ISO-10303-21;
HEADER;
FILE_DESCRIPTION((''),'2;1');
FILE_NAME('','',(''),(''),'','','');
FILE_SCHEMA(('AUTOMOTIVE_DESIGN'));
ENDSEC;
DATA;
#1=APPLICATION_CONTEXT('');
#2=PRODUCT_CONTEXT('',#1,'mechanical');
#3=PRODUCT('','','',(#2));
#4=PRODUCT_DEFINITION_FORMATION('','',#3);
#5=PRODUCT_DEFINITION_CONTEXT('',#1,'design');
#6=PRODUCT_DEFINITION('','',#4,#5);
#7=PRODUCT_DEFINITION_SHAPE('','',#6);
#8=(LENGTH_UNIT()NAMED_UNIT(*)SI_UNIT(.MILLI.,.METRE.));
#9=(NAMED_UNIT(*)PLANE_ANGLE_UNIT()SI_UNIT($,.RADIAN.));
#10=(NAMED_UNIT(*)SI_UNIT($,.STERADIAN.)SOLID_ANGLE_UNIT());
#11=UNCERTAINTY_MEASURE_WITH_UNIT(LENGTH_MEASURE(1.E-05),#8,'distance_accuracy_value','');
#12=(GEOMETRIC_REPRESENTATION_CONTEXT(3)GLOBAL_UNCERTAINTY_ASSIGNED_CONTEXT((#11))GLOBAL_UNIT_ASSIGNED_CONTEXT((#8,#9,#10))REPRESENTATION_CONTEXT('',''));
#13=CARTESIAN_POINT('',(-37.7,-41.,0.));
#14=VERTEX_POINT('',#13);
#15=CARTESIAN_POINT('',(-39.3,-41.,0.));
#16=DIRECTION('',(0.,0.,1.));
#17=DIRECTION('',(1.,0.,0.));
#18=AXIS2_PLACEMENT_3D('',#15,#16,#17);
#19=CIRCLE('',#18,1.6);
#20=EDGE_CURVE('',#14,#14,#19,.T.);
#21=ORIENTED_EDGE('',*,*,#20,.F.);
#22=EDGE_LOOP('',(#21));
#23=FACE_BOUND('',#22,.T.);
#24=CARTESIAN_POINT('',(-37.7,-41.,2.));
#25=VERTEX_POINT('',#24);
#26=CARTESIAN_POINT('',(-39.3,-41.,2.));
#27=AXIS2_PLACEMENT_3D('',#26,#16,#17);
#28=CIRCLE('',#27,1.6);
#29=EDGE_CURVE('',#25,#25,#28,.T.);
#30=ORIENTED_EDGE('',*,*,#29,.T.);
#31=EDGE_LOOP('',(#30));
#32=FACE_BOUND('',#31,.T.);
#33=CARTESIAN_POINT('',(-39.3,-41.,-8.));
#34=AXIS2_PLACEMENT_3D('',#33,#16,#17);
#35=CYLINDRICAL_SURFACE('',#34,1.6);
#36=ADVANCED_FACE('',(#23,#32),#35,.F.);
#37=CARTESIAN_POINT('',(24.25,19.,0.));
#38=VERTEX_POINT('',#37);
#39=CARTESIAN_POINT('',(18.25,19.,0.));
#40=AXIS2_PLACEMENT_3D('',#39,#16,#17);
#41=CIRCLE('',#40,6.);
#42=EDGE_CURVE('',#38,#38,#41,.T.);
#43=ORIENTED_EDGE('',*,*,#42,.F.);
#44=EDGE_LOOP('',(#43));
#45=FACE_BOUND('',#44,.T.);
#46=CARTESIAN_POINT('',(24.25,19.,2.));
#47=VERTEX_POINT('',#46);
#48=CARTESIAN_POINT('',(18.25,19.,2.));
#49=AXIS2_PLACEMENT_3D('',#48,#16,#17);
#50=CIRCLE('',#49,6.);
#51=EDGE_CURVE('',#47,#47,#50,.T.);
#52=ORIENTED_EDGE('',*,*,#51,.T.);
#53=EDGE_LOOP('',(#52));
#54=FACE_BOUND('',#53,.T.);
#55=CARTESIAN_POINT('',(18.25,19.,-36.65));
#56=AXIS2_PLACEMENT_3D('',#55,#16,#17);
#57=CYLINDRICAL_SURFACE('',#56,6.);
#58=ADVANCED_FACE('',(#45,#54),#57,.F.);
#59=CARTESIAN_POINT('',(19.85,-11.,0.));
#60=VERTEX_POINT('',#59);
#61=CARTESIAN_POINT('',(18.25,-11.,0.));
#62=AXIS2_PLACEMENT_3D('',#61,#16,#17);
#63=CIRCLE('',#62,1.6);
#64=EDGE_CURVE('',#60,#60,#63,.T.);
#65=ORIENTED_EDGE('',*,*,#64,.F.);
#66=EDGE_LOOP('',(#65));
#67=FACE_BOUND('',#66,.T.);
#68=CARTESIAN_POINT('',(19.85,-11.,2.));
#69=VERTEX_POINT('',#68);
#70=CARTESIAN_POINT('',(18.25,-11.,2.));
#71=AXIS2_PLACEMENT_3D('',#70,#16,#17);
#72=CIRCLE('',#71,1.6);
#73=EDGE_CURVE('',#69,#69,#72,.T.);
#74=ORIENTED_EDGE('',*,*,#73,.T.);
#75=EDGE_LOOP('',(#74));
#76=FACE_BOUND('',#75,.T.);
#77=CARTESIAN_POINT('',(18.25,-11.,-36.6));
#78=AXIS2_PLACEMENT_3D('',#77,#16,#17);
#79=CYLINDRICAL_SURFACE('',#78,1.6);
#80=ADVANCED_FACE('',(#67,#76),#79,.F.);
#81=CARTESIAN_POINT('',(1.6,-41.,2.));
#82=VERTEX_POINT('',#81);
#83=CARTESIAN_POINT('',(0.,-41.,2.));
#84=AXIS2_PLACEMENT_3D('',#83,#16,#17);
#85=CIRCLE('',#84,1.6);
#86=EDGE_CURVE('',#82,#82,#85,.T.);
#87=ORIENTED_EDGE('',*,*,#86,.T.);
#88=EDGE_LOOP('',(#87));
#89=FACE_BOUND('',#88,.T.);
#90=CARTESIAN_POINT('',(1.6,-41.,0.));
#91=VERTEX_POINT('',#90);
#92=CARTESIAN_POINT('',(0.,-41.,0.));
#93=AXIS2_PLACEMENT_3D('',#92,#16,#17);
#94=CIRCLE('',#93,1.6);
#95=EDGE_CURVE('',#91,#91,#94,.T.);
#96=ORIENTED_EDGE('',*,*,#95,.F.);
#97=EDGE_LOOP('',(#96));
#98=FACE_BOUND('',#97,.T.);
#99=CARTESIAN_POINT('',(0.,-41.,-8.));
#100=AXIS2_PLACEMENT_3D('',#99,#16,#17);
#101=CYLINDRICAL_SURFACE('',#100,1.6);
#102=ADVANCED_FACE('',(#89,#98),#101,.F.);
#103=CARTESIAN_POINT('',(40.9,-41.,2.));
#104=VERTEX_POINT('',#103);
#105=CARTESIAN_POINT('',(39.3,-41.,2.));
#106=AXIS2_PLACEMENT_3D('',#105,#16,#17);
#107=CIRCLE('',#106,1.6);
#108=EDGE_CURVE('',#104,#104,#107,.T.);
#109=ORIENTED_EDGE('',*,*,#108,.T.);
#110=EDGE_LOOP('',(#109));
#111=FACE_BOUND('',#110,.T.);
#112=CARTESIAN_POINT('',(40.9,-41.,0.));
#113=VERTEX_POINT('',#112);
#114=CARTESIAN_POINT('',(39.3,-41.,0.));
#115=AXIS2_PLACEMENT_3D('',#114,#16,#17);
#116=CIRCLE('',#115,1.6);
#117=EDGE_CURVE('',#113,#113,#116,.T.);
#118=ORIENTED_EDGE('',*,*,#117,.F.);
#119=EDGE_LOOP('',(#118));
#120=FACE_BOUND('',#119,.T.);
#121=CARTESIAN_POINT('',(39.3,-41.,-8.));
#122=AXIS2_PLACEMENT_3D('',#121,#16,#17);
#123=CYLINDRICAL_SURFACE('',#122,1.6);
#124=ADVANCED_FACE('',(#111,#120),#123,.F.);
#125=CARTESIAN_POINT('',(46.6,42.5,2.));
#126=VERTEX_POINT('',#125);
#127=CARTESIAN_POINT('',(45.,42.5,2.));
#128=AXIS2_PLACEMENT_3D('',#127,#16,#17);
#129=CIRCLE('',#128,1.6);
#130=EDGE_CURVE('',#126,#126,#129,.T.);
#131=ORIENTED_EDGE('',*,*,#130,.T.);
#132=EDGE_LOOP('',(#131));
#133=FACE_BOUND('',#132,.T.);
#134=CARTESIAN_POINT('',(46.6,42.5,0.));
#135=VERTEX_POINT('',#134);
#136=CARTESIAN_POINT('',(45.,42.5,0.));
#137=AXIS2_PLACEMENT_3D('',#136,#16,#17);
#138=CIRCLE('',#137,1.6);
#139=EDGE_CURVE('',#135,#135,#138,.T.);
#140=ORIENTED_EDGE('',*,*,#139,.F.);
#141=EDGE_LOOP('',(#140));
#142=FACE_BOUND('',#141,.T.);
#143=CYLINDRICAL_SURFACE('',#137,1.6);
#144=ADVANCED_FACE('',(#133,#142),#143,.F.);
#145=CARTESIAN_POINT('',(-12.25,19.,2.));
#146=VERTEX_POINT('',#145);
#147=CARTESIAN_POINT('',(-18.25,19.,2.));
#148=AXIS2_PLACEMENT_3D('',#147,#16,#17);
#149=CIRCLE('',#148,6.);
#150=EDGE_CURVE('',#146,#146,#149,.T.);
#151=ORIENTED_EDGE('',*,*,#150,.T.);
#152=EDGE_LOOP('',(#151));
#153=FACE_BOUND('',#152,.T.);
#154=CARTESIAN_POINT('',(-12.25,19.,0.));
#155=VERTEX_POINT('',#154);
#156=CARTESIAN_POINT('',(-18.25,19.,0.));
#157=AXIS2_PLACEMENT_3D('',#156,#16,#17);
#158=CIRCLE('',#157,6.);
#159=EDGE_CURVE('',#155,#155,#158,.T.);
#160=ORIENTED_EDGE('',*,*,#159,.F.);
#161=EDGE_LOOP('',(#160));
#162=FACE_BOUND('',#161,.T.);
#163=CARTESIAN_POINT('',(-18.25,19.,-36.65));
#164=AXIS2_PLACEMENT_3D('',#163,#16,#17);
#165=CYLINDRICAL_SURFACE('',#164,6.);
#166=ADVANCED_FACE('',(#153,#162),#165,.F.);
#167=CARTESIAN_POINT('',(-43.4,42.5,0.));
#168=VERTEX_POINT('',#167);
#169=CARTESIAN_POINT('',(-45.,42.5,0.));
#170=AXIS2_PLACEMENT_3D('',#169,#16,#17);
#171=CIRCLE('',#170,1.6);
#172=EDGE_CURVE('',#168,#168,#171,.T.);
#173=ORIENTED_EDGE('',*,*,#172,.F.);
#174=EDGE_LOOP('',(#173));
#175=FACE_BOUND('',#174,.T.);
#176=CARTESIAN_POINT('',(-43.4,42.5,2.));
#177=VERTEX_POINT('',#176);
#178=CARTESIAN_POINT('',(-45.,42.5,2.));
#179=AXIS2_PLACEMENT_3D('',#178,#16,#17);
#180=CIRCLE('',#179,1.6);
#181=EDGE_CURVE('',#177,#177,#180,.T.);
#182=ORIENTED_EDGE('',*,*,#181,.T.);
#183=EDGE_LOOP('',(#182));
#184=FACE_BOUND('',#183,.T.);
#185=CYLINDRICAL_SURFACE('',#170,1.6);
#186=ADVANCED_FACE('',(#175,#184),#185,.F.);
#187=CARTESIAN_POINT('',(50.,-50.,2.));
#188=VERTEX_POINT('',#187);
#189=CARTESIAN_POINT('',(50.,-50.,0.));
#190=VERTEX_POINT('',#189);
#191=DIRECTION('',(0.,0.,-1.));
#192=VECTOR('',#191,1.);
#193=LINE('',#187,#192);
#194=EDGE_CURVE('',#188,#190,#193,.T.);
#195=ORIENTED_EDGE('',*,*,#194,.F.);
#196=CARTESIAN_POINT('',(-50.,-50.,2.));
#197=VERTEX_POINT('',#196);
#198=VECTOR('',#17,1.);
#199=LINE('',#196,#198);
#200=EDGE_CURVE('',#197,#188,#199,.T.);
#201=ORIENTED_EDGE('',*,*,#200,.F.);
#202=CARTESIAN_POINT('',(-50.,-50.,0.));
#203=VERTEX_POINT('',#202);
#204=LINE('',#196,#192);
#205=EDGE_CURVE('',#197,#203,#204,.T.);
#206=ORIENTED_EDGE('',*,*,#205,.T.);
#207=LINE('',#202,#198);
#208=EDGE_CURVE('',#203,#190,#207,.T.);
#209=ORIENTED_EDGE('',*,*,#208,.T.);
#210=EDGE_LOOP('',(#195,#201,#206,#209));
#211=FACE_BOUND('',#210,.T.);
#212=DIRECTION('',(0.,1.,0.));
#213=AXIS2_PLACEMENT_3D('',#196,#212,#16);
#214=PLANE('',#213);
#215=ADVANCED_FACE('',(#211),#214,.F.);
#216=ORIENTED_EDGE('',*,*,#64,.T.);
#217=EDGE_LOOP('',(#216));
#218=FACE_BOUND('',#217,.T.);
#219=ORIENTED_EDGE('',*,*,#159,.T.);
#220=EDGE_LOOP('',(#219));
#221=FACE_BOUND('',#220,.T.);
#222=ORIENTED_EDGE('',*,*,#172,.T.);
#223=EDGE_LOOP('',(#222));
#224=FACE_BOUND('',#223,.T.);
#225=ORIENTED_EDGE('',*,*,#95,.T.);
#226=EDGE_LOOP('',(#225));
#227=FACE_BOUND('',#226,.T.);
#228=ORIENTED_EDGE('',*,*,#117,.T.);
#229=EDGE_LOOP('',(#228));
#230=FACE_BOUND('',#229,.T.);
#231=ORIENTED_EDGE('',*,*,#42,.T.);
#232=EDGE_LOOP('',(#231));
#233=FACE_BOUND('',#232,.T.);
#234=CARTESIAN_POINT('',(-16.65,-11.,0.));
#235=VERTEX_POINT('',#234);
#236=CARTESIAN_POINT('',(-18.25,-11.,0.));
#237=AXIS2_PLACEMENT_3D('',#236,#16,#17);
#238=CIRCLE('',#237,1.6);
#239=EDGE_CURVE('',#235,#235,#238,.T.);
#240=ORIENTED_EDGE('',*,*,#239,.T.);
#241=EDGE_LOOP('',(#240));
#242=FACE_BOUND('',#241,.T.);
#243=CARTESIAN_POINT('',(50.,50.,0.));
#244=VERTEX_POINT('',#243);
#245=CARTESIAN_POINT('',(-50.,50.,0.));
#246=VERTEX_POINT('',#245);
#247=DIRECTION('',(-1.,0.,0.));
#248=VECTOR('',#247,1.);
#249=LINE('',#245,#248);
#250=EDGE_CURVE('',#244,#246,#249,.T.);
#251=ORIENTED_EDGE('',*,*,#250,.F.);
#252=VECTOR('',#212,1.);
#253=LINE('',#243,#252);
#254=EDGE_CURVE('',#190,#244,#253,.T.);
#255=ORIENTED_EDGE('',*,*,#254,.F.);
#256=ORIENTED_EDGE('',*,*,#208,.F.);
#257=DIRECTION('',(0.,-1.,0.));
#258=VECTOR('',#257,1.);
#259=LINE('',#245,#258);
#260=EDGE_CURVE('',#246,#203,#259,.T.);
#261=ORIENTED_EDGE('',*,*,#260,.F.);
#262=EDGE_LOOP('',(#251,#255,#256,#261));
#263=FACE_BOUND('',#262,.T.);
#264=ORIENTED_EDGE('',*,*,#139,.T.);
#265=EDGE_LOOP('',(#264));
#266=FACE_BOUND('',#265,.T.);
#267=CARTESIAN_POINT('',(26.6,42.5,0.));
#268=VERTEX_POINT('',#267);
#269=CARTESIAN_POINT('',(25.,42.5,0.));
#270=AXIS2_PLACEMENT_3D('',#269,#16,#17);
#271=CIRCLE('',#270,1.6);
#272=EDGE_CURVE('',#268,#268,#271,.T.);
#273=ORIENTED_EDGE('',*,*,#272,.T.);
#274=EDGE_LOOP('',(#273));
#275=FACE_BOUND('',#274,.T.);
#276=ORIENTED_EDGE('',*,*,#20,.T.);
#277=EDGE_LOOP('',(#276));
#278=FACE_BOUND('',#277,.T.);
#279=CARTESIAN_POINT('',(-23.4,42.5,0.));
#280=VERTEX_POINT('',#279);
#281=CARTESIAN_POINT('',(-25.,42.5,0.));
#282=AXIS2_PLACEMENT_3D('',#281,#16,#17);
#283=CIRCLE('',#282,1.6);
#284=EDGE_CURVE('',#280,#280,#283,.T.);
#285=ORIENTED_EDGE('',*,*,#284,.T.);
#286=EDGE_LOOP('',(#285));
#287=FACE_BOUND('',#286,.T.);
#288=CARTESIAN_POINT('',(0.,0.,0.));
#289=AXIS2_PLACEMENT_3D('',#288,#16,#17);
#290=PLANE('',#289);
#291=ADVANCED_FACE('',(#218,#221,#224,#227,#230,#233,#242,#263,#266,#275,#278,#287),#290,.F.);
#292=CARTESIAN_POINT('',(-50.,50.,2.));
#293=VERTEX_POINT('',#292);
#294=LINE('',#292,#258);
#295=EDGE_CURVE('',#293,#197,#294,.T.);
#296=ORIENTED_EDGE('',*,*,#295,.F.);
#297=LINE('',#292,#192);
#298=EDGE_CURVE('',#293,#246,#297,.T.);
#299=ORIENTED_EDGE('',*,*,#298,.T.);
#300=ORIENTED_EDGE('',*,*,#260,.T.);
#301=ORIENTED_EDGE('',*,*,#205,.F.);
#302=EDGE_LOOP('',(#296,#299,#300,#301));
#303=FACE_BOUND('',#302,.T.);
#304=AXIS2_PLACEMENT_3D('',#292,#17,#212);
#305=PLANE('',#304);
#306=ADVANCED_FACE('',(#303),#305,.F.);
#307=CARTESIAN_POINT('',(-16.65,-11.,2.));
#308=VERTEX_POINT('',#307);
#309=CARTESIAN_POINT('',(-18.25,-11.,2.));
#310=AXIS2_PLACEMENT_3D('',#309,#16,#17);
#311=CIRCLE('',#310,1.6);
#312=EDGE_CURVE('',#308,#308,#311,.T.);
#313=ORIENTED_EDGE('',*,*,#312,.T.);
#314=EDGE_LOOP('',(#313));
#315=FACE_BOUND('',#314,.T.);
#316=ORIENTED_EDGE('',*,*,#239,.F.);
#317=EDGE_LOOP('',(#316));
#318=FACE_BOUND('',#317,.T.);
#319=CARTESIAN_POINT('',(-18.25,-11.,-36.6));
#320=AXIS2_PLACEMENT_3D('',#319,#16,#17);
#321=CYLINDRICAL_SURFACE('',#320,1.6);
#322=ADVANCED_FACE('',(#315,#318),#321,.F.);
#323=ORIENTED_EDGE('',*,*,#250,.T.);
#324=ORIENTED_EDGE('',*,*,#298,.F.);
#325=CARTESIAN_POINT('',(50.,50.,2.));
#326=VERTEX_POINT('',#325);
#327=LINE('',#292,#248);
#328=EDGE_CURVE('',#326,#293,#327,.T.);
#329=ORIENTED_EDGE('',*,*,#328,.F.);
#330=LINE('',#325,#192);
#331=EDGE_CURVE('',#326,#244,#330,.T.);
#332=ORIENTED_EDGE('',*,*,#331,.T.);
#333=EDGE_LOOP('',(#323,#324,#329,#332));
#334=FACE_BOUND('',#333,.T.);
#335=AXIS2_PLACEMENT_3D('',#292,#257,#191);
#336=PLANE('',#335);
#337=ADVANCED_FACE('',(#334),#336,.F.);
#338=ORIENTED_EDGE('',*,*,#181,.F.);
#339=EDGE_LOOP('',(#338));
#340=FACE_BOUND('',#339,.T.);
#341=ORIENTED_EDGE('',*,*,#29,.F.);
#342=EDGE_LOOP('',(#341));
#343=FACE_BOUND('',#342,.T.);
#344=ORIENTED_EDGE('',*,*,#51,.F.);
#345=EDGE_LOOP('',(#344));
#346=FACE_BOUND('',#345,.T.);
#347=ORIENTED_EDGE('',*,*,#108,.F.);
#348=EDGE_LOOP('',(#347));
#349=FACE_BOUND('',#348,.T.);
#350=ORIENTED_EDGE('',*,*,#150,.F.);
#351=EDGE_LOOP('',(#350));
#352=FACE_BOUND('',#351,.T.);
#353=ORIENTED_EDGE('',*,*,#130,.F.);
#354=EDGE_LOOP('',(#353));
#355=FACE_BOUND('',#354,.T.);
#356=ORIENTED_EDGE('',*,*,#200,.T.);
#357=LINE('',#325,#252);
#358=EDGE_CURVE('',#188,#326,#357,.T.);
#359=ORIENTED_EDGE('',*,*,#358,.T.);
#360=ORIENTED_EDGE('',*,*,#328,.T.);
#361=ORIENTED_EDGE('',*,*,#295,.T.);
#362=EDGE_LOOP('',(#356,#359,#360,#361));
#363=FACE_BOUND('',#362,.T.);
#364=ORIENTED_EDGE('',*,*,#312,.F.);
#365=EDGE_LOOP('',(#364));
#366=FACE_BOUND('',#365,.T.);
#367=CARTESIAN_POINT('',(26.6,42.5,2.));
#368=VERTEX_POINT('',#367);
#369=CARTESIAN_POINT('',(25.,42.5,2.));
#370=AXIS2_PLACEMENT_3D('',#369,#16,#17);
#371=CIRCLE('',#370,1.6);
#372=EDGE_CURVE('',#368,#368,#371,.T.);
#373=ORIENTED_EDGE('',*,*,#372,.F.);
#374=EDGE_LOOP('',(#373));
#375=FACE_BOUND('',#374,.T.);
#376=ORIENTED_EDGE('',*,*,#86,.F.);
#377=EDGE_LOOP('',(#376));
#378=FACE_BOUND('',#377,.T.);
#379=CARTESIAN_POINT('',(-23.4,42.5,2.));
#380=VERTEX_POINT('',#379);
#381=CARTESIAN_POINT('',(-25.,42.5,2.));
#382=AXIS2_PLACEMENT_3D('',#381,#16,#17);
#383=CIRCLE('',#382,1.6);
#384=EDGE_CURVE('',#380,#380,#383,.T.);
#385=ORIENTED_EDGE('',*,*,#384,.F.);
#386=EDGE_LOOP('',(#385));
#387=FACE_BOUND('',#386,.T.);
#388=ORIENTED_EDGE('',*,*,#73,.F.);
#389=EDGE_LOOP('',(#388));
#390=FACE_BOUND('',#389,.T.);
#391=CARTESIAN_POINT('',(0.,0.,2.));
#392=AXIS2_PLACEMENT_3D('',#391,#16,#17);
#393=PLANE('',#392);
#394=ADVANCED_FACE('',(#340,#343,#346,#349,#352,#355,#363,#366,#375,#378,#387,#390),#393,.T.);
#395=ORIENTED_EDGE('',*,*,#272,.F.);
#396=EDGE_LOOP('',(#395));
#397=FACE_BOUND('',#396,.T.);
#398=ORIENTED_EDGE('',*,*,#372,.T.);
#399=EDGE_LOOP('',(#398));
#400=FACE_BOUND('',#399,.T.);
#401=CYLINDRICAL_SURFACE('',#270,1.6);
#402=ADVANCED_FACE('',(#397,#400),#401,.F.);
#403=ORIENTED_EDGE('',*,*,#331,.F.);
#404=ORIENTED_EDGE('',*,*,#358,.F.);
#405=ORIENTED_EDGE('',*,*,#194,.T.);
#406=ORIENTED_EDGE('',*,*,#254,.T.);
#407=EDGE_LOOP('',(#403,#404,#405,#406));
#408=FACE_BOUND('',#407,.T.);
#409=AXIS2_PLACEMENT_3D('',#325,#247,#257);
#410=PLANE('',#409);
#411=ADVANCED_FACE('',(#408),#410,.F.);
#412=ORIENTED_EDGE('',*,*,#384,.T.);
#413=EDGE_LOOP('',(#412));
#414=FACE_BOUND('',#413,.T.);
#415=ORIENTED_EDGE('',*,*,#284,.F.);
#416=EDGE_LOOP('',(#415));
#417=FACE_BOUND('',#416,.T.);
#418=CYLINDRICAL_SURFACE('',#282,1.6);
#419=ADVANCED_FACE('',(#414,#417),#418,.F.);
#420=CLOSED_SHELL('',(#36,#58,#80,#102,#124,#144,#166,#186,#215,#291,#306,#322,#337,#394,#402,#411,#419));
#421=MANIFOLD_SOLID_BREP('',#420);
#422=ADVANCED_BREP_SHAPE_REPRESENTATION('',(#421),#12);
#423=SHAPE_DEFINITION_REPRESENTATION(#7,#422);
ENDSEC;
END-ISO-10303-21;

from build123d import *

# Parameters (mm, degrees)
SKETCH_1_W          = 100
SKETCH_1_H          = 100
EXTRUDE_1_DEPTH     = 2
SKETCH_2_R          = 1.6
CUT_EXTRUDE_1_DEPTH = 2
SKETCH_3_R          = 1.6
CUT_EXTRUDE_2_DEPTH = 10
SKETCH_4_R          = 6
CUT_EXTRUDE_3_DEPTH = 38.65
SKETCH_5_R          = 1.6
CUT_EXTRUDE_4_DEPTH = 38.6
SKETCH_6_R          = 1.6
CUT_EXTRUDE_5_DEPTH = 10


with BuildPart() as part:
    # ｽｹｯﾁ1 → ﾎﾞｽ - 押し出し1 (new body)
    with BuildSketch(Plane.XY):
        Rectangle(SKETCH_1_W, SKETCH_1_H)
    extrude(amount=EXTRUDE_1_DEPTH)

    # ｽｹｯﾁ2 → ｶｯﾄ - 押し出し1 (cut)
    with BuildSketch(Plane.XY.offset(2)):
        with Locations((-45, 42.5)):
            Circle(SKETCH_2_R)
        with Locations((-25, 42.5)):
            Circle(SKETCH_2_R)
        with Locations((25, 42.5)):
            Circle(SKETCH_2_R)
        with Locations((45, 42.5)):
            Circle(SKETCH_2_R)
    extrude(amount=-CUT_EXTRUDE_1_DEPTH, mode=Mode.SUBTRACT)

    # ｽｹｯﾁ3 → ｶｯﾄ - 押し出し2 (cut)
    with BuildSketch(Plane.XY.offset(2)):
        with Locations((0, -41)):
            Circle(SKETCH_3_R)
    extrude(amount=-CUT_EXTRUDE_2_DEPTH, mode=Mode.SUBTRACT)

    # ｽｹｯﾁ4 → ｶｯﾄ - 押し出し3 (cut)
    with BuildSketch(Plane.XY.offset(2)):
        with Locations((-18.25, 19)):
            Circle(SKETCH_4_R)
        with Locations((18.25, 19)):
            Circle(SKETCH_4_R)
    extrude(amount=-CUT_EXTRUDE_3_DEPTH, mode=Mode.SUBTRACT)

    # ｽｹｯﾁ5 → ｶｯﾄ - 押し出し4 (cut)
    with BuildSketch(Plane.XY.offset(2)):
        with Locations((-18.25, -11)):
            Circle(SKETCH_5_R)
        with Locations((18.25, -11)):
            Circle(SKETCH_5_R)
    extrude(amount=-CUT_EXTRUDE_4_DEPTH, mode=Mode.SUBTRACT)

    # ｽｹｯﾁ6 → ｶｯﾄ - 押し出し5 (cut)
    with BuildSketch(Plane.XY.offset(2)):
        with Locations((-39.3, -41)):
            Circle(SKETCH_6_R)
        with Locations((39.3, -41)):
            Circle(SKETCH_6_R)
    extrude(amount=-CUT_EXTRUDE_5_DEPTH, mode=Mode.SUBTRACT)


solid = part.part
